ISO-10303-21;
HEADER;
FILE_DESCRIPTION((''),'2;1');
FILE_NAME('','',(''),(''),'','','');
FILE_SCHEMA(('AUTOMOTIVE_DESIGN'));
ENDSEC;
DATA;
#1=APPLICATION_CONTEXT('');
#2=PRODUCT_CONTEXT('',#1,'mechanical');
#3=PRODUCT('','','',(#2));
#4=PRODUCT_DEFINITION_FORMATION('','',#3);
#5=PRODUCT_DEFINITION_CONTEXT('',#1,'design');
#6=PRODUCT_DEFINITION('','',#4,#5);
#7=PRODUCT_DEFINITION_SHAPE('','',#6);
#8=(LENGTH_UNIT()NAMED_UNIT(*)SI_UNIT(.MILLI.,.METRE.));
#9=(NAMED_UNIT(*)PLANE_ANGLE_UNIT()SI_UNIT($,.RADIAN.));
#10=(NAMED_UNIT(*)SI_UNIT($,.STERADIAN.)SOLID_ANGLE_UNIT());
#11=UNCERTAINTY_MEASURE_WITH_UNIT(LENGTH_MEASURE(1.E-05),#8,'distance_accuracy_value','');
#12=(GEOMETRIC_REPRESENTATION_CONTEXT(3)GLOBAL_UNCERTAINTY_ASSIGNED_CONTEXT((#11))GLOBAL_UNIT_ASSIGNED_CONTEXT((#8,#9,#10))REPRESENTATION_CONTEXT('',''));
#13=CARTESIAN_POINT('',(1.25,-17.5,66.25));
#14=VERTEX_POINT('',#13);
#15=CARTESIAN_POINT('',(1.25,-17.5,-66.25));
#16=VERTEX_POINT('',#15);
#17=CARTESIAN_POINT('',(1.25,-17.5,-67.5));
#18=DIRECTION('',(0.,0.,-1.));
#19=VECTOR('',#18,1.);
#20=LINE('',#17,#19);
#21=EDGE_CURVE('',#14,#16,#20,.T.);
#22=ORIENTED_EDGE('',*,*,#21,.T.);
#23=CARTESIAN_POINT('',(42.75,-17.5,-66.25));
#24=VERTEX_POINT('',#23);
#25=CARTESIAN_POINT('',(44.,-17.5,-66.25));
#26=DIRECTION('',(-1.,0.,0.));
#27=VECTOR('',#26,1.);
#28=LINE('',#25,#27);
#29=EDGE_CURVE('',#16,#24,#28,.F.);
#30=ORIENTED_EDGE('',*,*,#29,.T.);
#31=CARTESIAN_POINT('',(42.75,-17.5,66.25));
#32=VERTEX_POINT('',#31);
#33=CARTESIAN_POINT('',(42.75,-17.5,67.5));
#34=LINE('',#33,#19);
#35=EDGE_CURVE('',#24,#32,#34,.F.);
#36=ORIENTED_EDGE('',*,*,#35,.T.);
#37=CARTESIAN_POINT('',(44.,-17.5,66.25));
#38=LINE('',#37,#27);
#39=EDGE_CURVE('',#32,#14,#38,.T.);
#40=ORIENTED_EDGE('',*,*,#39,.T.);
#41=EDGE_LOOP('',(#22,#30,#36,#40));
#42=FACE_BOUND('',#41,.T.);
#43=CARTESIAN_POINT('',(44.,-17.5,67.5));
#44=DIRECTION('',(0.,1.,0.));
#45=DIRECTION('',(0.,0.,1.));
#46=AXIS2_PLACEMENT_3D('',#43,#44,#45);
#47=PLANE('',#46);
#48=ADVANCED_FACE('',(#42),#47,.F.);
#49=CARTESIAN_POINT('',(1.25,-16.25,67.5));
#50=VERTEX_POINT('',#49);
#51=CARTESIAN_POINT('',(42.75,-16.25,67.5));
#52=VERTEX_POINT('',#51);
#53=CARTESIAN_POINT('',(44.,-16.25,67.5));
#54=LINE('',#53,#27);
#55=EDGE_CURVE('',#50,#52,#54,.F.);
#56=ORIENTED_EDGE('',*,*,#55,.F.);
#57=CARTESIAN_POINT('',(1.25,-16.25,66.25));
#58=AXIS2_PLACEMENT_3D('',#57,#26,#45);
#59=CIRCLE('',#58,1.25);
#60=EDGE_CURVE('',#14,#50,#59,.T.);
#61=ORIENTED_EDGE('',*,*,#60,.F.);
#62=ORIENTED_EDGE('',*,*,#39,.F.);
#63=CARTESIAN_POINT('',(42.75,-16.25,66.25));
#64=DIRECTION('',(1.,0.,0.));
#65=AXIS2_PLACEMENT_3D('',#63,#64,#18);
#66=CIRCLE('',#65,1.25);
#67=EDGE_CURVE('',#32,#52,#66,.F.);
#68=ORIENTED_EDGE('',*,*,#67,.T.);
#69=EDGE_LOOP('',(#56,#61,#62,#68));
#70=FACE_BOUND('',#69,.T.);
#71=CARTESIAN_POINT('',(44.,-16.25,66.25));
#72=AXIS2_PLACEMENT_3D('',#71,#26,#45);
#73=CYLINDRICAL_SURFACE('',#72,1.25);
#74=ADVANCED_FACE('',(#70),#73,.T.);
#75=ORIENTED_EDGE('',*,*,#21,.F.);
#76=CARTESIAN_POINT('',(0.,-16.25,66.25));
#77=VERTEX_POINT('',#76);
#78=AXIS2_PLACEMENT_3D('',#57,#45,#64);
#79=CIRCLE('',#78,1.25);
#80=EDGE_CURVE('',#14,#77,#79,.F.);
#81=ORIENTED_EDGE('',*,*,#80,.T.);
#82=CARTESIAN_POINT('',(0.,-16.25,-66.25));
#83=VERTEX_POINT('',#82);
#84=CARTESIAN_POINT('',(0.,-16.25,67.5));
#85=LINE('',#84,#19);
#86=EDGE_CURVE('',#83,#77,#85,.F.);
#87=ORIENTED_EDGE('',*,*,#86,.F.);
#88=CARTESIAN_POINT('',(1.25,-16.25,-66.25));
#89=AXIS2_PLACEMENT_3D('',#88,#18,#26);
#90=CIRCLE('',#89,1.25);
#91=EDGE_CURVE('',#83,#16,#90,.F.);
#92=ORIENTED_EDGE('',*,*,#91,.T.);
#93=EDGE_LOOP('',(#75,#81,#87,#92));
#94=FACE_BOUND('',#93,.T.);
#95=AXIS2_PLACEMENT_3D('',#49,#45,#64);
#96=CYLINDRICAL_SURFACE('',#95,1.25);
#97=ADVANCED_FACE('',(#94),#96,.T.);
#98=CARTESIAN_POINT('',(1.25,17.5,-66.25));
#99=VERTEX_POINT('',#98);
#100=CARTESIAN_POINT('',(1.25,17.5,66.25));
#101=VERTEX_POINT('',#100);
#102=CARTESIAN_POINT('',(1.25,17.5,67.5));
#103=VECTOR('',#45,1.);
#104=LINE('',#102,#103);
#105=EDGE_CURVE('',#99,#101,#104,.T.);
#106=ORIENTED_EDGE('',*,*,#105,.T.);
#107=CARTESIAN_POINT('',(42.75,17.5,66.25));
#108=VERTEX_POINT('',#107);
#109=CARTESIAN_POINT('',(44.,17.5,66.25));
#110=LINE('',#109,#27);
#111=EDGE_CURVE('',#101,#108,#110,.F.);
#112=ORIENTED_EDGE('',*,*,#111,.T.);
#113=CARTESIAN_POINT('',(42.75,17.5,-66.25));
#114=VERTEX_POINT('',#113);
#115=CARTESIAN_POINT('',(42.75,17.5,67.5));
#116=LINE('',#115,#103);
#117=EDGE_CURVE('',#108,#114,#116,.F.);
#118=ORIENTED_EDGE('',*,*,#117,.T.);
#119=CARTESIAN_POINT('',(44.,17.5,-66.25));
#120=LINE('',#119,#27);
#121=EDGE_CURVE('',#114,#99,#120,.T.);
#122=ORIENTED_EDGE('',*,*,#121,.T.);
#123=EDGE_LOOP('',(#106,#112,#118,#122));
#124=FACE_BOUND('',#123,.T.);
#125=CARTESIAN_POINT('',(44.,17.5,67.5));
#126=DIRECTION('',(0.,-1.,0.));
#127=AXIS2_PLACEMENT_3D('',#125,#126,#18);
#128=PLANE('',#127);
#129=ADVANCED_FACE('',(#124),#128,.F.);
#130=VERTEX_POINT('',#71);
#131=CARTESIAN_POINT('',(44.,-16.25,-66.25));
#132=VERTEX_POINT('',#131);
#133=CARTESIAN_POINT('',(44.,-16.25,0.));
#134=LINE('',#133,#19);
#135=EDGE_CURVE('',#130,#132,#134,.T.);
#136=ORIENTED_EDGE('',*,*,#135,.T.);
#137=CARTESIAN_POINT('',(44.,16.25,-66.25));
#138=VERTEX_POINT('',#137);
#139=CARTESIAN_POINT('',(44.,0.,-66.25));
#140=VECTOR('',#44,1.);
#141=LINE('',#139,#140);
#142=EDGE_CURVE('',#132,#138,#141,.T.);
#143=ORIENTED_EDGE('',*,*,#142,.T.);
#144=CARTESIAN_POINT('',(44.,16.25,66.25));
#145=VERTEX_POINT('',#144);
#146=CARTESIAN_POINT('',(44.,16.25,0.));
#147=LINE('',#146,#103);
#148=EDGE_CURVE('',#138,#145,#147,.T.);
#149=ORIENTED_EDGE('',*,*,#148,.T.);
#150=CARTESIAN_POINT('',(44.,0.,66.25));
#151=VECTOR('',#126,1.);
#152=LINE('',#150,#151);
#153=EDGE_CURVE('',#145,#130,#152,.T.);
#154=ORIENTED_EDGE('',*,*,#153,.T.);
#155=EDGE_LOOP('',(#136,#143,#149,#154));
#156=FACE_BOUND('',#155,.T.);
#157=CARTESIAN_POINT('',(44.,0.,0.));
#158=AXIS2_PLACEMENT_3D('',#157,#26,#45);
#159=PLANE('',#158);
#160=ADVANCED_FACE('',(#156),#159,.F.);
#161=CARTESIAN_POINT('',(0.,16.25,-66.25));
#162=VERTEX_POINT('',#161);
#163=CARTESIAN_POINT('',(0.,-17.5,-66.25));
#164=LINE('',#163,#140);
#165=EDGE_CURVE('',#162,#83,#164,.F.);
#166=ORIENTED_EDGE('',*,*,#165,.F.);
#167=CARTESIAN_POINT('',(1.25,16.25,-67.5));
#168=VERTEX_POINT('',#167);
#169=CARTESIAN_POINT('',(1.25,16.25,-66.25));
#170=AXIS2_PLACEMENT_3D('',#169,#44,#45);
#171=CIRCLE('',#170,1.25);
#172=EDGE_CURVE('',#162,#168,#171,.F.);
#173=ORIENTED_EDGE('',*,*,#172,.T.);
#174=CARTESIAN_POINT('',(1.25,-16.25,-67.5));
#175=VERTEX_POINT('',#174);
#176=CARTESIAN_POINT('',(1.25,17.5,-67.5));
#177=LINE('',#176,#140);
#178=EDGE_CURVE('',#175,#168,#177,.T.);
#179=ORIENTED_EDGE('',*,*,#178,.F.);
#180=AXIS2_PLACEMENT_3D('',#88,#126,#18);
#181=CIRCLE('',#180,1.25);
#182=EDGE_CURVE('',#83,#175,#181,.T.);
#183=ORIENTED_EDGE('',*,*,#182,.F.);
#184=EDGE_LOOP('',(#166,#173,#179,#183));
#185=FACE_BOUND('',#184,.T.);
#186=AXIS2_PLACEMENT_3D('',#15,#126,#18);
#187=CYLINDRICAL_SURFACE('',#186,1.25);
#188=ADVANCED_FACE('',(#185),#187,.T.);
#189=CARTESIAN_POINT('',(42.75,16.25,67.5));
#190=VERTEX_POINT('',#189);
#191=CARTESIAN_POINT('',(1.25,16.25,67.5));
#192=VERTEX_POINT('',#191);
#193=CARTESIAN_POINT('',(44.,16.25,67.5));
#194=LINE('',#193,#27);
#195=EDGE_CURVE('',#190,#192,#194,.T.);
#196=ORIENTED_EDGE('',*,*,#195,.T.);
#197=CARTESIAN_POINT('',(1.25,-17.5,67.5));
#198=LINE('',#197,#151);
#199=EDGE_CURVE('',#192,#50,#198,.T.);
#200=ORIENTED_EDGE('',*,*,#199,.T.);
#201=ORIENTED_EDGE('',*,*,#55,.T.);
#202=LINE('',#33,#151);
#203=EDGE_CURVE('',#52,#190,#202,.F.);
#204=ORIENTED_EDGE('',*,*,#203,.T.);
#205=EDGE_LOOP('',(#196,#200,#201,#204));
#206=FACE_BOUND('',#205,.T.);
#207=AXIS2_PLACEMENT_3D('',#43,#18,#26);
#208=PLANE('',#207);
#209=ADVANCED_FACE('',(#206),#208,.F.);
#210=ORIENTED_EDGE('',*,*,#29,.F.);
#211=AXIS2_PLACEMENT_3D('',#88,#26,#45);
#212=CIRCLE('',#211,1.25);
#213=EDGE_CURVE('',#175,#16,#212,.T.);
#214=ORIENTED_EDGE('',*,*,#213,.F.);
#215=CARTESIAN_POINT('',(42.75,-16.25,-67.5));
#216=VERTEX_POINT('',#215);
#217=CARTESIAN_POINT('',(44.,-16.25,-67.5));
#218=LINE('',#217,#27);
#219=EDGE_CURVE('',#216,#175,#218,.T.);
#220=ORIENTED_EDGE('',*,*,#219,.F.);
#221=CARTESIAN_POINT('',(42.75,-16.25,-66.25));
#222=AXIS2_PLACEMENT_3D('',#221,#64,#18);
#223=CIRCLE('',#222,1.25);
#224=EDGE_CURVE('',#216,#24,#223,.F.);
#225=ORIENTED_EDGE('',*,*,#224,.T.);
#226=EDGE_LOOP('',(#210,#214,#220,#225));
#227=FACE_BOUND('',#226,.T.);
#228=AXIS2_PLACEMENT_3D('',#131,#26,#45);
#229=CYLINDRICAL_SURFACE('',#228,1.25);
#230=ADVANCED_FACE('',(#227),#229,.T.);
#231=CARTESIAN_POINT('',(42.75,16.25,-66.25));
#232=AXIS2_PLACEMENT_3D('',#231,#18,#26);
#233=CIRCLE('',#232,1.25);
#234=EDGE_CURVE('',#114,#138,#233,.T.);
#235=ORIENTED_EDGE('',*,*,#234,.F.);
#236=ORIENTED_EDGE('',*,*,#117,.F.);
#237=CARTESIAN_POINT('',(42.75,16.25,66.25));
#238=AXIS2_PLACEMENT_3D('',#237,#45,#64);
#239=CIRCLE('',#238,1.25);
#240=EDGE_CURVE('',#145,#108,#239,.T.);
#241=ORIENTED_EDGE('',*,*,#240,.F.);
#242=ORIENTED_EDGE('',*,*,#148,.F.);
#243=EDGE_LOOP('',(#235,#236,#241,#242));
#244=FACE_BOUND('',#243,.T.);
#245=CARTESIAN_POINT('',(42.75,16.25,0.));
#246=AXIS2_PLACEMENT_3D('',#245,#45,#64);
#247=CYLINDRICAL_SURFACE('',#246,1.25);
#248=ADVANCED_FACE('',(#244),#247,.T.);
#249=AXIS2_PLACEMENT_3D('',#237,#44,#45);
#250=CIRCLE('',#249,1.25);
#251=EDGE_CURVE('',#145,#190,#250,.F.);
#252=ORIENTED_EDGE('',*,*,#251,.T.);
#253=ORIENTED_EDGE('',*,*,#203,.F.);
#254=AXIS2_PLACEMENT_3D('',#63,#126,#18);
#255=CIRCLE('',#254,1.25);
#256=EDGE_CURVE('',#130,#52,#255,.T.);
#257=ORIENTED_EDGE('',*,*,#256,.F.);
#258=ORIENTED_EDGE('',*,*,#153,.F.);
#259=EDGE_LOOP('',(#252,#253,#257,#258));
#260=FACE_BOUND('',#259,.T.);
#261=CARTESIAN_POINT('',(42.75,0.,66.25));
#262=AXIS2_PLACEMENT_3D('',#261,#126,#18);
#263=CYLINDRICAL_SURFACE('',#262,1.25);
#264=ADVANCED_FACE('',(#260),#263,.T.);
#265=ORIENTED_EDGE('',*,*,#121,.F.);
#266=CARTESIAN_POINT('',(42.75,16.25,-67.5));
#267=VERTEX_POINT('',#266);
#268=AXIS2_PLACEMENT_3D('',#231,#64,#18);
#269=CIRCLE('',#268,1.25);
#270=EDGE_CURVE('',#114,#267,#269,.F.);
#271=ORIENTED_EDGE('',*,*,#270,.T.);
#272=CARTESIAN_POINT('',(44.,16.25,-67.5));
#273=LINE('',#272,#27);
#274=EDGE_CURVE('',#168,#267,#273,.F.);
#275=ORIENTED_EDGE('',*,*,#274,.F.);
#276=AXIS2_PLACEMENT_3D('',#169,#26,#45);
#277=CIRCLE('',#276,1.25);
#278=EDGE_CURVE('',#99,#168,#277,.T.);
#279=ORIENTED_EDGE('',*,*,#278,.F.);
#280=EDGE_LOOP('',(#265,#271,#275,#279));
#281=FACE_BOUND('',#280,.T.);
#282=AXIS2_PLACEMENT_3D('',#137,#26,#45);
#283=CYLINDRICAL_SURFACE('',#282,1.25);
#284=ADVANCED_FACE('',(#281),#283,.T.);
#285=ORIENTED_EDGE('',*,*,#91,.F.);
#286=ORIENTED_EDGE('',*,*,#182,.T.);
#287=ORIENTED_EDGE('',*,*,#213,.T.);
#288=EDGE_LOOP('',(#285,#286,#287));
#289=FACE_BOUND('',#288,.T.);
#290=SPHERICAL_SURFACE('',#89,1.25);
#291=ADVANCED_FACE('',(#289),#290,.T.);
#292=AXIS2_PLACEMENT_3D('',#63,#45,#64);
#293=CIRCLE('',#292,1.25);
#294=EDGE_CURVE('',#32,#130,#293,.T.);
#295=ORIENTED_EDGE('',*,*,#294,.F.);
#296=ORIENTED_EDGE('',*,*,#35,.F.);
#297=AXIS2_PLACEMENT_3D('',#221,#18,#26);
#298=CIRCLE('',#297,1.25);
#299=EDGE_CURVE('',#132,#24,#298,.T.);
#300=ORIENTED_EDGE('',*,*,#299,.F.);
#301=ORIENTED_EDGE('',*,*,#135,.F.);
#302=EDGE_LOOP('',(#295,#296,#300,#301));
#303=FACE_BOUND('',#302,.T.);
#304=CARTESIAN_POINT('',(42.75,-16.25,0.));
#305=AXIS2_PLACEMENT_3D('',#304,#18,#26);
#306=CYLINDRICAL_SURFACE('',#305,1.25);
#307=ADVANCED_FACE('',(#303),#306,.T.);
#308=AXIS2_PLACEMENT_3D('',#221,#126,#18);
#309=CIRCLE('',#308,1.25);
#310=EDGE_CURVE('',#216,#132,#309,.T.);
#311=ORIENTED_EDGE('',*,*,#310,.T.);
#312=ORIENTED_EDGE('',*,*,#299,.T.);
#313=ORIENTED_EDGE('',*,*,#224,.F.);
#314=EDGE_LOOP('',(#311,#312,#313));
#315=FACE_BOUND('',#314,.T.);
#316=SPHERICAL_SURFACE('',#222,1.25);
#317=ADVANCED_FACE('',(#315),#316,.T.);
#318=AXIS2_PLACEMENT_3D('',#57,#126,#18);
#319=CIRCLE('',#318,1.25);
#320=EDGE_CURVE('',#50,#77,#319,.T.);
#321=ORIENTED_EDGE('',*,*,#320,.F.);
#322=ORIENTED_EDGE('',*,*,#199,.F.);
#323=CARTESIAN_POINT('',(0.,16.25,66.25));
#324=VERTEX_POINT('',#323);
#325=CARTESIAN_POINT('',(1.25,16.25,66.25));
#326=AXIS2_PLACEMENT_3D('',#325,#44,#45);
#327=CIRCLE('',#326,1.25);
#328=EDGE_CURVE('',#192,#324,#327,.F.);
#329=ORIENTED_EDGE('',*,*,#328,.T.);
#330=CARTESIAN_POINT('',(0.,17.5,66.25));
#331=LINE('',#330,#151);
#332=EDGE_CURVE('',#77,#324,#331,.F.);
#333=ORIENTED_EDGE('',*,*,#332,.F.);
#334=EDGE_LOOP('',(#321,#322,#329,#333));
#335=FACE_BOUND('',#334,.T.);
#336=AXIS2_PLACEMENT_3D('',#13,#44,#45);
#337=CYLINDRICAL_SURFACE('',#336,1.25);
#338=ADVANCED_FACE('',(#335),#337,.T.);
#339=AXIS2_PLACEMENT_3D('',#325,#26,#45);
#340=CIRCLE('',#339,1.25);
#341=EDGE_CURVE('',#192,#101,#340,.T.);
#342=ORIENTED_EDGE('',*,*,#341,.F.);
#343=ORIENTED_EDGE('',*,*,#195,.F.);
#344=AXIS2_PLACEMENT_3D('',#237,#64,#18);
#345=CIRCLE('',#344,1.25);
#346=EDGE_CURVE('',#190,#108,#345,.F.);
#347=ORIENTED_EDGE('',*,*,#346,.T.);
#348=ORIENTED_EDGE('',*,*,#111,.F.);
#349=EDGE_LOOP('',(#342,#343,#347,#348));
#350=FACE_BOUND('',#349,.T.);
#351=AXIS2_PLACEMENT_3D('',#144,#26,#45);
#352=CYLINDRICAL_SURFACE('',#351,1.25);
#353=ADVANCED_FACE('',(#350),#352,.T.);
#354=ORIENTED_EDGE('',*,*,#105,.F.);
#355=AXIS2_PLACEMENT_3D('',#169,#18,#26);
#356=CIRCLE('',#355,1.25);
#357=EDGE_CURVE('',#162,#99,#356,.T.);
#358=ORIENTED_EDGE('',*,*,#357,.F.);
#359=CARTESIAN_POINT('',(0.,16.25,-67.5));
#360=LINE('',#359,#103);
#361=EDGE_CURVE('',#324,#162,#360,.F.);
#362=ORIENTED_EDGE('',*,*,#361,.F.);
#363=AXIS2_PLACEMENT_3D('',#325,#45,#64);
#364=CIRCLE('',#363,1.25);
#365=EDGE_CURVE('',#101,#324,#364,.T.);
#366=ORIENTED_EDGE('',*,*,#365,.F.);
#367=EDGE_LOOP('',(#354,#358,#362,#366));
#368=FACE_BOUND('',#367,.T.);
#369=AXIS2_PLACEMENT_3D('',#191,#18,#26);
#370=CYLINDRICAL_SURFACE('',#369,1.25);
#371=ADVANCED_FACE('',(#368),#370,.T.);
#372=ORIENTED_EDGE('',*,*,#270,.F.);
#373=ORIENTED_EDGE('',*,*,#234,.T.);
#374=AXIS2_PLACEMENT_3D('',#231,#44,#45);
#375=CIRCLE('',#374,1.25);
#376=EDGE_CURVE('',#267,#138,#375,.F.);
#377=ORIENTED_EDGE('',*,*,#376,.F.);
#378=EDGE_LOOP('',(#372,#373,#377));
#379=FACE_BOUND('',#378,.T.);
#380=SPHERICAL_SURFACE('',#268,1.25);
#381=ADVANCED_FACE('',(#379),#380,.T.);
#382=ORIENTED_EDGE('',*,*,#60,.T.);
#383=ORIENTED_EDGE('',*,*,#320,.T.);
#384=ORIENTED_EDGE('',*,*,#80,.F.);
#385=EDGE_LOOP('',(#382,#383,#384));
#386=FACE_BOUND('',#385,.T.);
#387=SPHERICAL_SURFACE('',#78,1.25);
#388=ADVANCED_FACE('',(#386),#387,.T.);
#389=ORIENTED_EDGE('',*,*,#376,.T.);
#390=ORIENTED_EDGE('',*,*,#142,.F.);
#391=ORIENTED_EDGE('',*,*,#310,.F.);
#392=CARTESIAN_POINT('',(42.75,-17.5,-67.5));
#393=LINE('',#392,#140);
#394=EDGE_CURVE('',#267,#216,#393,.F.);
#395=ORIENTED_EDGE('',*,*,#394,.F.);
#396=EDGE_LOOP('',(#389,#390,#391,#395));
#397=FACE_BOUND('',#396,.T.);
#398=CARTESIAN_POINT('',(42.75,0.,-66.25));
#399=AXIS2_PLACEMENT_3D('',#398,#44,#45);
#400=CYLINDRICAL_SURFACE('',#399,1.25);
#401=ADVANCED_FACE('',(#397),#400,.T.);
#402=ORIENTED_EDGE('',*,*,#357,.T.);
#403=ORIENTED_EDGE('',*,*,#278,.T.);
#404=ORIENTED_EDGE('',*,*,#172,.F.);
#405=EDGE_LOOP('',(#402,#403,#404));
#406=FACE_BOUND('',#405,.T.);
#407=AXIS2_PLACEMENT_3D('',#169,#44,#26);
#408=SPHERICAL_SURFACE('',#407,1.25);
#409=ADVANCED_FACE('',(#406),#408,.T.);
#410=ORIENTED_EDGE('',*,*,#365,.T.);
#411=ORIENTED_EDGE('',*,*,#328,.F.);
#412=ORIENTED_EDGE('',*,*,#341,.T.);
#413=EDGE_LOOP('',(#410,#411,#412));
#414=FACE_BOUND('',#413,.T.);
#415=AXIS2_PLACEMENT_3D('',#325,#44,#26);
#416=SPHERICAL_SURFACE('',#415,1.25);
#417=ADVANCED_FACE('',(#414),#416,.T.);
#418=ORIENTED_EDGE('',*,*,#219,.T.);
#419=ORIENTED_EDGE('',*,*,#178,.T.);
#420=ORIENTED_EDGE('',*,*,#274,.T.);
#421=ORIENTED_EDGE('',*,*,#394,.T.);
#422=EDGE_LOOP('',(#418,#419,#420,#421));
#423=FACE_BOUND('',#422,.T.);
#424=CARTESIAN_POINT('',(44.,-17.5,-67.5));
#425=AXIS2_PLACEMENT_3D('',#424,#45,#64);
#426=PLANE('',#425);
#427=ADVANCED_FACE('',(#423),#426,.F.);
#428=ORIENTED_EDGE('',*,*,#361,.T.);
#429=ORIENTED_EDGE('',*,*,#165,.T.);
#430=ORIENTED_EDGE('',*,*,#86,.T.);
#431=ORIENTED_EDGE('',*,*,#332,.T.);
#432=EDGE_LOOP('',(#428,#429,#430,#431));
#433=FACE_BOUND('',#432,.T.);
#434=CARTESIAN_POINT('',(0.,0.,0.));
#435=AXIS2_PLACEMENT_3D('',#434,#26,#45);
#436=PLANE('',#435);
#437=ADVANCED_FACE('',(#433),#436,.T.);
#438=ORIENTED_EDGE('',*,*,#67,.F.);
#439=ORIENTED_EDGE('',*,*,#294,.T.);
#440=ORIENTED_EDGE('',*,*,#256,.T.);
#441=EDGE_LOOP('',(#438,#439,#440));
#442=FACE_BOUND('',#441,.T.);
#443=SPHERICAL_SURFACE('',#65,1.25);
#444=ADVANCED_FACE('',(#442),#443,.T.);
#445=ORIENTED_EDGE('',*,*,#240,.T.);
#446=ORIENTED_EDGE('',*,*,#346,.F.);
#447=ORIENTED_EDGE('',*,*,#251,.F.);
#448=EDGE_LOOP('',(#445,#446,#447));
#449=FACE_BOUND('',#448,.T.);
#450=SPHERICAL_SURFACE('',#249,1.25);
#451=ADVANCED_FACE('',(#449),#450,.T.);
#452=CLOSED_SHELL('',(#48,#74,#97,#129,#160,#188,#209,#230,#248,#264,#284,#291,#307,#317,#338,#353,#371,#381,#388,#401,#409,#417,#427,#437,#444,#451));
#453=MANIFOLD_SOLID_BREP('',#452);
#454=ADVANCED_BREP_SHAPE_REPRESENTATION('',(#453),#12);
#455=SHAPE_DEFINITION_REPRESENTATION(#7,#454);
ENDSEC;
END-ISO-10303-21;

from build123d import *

# Parameters (mm, degrees)
SKETCH1_W           = 135
SKETCH1_H           = 35
BOSS_EXTRUDE1_DEPTH = 44
FILLET1_R           = 1.25


with BuildPart() as part:
    # Sketch1 → Boss-Extrude1 (new body)
    with BuildSketch(Plane(origin=(0, 0, 0), x_dir=(0, 0, -1), z_dir=(1, 0, 0))):
        Rectangle(SKETCH1_W, SKETCH1_H)
    extrude(amount=BOSS_EXTRUDE1_DEPTH)

    # Fillet1
    fillet1_edges = [part.edges().sort_by_distance(p)[0] for p in [
        (44, 0, 67.5),
        (44, -17.5, 0),
        (44, 0, -67.5),
        (0, -17.5, 0),
        (0, 0, 67.5),
        (0, 17.5, 0),
        (0, 0, -67.5),
        (22, -17.5, -67.5),
        (22, -17.5, 67.5),
        (22, 17.5, 67.5),
        (22, 17.5, -67.5),
        (44, 17.5, 0),
    ]]
    fillet(fillet1_edges, radius=FILLET1_R)


solid = part.part
